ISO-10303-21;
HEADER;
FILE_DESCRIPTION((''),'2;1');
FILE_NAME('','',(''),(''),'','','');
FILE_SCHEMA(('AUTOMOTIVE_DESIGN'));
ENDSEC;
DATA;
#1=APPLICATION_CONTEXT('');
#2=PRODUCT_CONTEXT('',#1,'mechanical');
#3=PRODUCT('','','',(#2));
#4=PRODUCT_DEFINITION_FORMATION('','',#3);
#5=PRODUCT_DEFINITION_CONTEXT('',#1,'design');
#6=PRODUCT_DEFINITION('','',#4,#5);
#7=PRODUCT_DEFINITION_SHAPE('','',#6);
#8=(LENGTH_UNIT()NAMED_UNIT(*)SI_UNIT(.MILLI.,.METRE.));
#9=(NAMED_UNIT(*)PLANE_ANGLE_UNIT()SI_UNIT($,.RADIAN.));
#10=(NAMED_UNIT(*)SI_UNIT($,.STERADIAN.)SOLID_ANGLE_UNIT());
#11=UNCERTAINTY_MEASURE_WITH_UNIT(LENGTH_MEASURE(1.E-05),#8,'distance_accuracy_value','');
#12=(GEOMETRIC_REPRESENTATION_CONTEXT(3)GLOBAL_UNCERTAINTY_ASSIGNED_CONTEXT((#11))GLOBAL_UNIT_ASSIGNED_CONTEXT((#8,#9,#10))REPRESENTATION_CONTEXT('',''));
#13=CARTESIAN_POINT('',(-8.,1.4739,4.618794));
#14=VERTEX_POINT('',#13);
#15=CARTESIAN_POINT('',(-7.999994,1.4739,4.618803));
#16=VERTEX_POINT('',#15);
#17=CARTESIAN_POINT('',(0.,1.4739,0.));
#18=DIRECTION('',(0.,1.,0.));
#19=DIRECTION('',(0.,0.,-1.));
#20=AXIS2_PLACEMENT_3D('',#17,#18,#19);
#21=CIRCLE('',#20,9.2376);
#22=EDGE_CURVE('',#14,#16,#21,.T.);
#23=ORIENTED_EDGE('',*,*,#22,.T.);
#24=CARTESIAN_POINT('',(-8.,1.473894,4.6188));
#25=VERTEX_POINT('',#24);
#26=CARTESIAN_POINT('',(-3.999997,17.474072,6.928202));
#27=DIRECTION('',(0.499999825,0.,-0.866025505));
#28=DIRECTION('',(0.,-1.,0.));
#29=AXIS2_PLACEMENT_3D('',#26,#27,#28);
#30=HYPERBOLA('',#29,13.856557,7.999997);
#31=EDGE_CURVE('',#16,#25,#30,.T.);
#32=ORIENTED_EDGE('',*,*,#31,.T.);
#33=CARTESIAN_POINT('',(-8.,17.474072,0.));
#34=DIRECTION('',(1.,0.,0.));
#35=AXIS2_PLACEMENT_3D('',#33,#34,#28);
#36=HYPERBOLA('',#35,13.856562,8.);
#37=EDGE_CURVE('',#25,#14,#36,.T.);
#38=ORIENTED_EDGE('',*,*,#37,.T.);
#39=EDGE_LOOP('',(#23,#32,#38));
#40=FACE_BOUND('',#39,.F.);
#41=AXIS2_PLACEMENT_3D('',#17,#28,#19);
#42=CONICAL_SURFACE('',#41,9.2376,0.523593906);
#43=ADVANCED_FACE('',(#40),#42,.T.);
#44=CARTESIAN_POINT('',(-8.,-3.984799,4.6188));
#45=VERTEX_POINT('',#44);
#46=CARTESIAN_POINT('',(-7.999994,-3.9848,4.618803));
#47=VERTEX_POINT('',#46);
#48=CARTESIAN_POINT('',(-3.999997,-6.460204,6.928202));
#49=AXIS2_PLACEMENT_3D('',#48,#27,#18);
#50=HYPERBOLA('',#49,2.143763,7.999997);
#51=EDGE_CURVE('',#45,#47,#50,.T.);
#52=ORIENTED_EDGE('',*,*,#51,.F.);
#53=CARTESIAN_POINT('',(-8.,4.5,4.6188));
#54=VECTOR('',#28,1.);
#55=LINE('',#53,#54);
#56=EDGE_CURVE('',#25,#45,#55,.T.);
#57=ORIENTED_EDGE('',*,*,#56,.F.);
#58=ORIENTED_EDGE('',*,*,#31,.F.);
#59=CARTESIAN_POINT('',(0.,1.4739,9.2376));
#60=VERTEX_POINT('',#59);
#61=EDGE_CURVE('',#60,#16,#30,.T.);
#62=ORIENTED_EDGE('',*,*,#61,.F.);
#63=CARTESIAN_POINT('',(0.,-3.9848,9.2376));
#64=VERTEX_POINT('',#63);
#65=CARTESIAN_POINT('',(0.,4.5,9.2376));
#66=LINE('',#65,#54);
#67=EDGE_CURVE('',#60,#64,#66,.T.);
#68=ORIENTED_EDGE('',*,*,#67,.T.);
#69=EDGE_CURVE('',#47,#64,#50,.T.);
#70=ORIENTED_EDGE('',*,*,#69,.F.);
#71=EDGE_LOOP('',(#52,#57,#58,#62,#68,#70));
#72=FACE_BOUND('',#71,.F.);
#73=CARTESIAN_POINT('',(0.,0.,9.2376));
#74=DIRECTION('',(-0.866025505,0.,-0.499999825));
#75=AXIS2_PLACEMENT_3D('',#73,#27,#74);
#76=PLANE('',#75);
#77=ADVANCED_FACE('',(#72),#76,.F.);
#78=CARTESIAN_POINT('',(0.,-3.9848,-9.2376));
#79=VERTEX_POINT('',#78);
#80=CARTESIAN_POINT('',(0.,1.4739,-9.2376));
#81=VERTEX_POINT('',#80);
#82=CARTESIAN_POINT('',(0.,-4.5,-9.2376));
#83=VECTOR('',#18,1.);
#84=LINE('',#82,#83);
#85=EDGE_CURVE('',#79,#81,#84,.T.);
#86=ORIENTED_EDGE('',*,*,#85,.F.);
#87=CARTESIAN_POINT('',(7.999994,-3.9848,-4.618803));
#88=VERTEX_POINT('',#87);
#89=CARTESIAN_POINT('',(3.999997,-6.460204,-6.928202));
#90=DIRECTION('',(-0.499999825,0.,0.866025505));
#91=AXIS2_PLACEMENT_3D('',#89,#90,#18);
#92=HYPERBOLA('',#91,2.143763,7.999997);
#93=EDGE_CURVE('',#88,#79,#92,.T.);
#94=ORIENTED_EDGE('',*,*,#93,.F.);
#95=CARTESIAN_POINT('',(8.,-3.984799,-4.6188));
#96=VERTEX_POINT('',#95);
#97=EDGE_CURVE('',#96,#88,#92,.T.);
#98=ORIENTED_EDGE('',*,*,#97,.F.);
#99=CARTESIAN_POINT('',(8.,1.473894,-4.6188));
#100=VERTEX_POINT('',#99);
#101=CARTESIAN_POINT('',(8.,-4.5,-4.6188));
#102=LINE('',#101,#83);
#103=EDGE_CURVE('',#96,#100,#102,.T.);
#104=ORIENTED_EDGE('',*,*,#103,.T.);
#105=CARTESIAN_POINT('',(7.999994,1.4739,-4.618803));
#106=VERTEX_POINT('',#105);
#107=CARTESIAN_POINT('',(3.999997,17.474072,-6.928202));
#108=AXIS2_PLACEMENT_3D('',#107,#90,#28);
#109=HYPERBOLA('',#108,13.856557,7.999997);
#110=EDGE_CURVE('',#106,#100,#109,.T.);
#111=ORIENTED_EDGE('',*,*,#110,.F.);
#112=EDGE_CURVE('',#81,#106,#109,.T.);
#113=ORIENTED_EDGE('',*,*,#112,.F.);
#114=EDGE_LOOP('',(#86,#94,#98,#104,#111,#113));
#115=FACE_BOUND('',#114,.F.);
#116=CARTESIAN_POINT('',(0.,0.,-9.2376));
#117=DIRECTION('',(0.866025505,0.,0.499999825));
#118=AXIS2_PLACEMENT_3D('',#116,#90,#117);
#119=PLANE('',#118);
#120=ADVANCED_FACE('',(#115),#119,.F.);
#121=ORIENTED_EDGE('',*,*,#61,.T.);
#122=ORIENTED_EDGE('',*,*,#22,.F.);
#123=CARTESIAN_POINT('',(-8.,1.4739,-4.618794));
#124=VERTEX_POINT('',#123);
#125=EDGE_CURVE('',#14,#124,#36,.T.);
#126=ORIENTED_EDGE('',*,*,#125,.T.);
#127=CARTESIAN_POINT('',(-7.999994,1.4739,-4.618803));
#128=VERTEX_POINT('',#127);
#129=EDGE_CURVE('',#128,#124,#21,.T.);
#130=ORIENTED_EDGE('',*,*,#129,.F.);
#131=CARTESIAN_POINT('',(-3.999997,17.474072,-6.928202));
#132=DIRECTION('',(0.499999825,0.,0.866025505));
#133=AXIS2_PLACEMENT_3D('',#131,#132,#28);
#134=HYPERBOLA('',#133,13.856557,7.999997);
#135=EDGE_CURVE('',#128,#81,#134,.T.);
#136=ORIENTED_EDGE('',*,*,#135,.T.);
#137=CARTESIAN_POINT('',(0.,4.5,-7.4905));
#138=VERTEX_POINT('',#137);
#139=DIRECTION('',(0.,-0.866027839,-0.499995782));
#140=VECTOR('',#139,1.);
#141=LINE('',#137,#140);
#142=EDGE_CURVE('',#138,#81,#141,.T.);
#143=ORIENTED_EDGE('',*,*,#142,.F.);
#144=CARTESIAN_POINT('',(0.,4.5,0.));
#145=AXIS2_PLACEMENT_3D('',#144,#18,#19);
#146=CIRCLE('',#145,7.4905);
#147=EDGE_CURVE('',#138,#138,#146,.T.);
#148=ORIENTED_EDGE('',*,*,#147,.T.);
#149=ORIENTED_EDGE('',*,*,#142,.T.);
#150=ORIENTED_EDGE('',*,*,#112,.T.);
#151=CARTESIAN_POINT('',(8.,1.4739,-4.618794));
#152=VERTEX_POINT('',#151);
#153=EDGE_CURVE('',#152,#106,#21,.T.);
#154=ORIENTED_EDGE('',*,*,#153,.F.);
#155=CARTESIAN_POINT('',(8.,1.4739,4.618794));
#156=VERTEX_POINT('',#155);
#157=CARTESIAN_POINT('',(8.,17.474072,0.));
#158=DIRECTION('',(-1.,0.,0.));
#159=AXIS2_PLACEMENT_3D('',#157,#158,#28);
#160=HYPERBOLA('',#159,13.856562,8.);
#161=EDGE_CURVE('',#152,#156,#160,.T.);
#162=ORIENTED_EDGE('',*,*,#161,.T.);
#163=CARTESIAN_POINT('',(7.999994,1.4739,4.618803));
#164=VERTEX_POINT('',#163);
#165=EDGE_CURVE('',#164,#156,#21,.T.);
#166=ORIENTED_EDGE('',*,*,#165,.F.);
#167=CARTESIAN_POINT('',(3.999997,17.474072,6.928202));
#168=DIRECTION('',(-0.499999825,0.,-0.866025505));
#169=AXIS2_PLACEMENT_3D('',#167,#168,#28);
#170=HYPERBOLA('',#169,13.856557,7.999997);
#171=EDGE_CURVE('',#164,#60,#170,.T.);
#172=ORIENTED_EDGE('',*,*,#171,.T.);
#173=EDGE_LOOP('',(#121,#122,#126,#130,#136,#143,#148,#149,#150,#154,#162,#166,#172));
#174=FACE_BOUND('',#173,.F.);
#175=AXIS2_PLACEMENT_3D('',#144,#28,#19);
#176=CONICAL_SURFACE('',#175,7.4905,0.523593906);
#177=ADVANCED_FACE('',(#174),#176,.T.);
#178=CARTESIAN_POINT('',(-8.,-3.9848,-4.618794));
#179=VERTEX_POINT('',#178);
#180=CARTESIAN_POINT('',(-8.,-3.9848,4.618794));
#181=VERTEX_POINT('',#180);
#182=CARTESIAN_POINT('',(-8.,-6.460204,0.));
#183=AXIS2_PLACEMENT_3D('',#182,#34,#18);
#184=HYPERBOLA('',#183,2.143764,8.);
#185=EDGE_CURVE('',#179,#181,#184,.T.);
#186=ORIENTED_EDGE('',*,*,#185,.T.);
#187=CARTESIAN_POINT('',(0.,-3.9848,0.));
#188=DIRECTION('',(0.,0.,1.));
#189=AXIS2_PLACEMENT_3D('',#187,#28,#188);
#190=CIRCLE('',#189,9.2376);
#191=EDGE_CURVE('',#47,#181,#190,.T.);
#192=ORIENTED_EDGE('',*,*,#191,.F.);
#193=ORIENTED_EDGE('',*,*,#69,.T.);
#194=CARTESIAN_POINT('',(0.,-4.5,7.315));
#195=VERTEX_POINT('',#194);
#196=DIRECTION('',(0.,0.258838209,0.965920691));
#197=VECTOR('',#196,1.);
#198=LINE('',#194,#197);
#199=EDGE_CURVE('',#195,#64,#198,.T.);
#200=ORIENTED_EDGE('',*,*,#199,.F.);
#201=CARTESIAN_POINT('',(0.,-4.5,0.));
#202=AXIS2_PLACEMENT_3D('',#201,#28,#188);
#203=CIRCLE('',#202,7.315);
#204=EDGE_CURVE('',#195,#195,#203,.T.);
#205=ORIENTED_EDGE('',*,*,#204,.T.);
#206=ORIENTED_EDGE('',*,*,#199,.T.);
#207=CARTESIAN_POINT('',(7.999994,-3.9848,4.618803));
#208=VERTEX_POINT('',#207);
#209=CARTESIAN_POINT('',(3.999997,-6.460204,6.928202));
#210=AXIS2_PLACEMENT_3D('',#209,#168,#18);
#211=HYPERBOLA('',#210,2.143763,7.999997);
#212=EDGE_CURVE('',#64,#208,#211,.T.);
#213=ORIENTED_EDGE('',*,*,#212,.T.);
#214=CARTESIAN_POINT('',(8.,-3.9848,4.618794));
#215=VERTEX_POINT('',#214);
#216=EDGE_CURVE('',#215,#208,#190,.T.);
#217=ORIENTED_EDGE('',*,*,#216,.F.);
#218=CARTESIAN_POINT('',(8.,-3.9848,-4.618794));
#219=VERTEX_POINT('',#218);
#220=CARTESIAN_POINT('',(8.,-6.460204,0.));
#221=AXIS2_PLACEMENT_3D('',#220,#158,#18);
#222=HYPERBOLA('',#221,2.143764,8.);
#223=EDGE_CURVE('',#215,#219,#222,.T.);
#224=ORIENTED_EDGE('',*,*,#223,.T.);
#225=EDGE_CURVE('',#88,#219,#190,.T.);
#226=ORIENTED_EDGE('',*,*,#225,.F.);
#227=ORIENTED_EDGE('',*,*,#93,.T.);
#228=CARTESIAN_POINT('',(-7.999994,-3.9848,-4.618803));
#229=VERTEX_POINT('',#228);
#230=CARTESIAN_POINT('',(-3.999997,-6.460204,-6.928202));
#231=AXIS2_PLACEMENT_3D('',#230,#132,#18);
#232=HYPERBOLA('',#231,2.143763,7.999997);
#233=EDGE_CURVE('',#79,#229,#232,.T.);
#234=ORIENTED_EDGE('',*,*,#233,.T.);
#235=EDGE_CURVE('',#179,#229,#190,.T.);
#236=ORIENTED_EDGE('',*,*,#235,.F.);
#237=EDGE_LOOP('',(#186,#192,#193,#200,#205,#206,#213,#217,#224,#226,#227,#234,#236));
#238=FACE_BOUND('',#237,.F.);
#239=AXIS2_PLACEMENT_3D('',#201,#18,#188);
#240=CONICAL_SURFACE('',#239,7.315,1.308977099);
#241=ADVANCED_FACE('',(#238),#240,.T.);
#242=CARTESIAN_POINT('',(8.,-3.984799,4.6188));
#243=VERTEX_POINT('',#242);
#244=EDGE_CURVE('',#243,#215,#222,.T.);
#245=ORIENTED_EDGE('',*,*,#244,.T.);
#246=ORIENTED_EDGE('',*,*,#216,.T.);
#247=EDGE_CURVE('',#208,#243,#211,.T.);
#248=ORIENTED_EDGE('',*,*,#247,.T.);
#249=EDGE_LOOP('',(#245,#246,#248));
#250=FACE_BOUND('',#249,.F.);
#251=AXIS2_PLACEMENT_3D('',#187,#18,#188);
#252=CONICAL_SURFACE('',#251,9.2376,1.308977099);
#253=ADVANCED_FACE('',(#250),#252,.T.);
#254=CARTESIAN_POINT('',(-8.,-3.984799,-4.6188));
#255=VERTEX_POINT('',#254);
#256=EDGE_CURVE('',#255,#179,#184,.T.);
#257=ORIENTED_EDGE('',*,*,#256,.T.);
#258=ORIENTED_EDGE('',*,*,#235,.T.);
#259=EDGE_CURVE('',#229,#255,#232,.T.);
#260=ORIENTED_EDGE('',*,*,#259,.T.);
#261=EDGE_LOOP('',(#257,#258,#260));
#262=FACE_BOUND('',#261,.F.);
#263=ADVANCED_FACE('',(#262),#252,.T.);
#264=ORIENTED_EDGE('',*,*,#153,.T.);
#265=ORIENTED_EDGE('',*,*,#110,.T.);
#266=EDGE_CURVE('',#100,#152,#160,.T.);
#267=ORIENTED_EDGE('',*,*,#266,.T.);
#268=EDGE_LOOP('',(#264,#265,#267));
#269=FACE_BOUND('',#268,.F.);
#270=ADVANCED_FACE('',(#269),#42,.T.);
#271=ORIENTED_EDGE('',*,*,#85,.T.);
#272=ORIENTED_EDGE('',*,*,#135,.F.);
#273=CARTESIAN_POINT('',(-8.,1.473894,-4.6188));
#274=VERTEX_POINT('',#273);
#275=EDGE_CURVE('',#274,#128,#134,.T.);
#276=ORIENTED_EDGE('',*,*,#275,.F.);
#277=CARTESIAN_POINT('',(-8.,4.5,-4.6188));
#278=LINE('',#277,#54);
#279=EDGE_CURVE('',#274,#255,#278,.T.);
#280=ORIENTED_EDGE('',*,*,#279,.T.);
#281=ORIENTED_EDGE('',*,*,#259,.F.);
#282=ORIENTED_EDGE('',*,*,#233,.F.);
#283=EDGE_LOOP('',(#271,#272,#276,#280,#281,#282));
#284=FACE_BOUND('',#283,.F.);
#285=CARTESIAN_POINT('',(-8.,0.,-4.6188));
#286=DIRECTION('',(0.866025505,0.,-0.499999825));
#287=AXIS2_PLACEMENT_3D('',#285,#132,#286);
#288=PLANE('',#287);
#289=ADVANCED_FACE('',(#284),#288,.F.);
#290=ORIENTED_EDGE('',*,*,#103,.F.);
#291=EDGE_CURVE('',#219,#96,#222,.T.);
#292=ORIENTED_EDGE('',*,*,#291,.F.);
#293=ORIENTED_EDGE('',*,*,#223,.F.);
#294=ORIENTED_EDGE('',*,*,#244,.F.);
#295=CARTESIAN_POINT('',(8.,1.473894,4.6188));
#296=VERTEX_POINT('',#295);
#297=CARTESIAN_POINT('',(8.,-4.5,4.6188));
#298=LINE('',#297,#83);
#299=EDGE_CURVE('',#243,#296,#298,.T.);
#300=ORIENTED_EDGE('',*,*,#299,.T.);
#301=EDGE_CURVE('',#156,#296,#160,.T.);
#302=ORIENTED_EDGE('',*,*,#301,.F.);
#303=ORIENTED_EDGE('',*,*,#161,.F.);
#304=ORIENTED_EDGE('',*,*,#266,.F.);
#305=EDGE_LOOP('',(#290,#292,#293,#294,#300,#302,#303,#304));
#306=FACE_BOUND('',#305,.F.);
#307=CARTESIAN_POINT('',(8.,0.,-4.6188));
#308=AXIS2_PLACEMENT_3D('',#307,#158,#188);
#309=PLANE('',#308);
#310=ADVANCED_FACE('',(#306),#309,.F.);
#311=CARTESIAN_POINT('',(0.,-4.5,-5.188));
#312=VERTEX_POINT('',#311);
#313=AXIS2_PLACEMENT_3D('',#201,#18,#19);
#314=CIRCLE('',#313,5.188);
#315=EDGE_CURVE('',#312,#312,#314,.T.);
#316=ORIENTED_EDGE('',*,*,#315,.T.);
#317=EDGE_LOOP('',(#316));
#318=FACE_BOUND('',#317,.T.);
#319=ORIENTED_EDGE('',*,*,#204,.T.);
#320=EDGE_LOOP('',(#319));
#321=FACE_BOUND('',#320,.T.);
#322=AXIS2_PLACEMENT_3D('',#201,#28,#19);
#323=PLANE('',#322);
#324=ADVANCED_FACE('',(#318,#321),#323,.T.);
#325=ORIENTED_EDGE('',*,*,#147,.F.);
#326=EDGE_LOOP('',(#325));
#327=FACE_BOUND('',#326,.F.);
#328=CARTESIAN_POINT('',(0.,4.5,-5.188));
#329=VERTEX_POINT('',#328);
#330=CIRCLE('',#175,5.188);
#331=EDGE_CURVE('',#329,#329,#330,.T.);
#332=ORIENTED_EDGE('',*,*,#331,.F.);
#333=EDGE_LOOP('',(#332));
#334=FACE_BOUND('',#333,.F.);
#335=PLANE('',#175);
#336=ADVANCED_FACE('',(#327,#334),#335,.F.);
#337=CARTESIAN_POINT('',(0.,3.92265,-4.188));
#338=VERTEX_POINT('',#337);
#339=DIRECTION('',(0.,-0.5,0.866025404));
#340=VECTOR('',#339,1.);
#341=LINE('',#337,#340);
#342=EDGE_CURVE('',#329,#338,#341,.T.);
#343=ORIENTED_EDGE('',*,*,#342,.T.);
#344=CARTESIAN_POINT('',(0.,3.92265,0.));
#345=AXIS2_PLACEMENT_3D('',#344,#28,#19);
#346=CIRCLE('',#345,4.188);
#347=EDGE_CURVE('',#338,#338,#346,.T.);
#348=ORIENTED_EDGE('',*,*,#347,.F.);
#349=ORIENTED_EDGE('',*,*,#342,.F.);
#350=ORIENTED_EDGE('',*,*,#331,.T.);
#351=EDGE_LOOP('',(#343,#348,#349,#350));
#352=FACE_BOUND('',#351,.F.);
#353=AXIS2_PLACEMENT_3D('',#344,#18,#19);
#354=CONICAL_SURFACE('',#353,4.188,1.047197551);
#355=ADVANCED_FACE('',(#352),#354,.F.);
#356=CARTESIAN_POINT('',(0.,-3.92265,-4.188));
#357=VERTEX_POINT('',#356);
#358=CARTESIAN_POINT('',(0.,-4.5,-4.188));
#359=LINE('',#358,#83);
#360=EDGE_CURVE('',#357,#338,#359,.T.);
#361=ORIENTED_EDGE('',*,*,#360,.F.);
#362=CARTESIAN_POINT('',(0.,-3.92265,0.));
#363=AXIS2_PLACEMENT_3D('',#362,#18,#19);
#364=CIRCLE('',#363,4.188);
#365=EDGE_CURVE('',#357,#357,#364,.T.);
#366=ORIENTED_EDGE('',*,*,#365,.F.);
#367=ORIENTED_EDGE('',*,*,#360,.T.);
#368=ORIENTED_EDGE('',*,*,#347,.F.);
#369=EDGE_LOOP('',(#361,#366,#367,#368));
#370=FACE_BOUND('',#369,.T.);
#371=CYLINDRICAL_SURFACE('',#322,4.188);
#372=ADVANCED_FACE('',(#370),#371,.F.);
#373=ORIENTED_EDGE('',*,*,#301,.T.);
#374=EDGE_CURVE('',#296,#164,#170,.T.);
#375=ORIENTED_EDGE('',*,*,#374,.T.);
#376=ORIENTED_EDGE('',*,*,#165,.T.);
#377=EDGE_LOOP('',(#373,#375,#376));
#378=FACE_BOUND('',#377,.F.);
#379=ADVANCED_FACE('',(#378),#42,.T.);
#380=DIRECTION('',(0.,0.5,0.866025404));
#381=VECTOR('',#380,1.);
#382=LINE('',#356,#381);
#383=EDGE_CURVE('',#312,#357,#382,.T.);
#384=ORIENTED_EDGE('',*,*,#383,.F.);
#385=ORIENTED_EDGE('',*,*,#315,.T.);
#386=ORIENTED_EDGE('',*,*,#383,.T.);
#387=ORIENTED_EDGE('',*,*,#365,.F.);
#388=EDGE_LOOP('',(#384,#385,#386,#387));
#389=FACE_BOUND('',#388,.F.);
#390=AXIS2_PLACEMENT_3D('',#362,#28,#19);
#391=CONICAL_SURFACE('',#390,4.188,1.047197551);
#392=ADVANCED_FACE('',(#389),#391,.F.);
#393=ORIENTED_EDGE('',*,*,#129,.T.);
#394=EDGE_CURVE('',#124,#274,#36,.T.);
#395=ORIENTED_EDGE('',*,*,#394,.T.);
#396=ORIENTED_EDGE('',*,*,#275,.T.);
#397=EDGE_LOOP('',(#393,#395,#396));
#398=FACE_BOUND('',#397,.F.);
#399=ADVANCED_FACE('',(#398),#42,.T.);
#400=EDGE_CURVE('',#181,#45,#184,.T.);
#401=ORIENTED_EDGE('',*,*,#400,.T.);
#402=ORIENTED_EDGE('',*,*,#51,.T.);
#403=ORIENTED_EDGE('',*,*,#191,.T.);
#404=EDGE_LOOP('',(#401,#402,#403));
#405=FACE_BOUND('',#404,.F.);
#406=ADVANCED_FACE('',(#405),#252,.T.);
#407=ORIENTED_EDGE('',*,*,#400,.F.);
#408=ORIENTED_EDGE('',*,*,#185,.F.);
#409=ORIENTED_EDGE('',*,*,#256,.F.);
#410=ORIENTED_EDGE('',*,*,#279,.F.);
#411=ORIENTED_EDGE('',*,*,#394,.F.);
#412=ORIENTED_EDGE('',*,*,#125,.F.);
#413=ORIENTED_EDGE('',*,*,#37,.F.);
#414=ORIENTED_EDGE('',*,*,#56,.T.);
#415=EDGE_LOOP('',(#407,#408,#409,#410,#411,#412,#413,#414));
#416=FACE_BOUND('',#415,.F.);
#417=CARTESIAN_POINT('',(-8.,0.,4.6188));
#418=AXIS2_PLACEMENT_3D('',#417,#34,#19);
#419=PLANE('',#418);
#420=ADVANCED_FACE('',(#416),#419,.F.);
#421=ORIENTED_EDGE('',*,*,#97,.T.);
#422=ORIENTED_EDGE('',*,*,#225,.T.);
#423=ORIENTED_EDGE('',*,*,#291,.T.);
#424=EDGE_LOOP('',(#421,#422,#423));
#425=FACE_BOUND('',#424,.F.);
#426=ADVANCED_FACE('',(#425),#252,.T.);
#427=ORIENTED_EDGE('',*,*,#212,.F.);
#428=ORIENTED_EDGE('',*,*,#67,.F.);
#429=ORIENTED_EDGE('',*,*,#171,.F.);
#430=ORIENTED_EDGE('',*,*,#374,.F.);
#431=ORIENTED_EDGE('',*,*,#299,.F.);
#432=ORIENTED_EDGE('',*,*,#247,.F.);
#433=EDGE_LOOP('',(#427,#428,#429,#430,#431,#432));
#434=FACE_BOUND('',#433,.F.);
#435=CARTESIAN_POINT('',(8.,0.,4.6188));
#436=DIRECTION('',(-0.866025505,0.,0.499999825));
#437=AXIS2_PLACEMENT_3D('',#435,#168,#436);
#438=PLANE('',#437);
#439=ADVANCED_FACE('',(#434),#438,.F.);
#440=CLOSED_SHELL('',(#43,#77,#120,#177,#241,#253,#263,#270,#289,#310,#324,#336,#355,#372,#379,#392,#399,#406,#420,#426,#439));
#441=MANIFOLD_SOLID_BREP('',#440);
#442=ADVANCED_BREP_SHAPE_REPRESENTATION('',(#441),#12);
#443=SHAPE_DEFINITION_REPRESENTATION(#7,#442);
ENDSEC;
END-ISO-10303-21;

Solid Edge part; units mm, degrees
sketch "Sketch1" plane through (0, 0, 0) normal (0, -1, 0) x (1, 0, 0)
  line L0 (8, 4.6188) -> (0, 9.2376)
  line L1 (0, 9.2376) -> (-8, 4.6188)
  line L2 (-8, 4.6188) -> (-8, -4.6188)
  line L3 (-8, -4.6188) -> (0, -9.2376)
  line L4 (0, -9.2376) -> (8, -4.6188)
  line L5 (8, -4.6188) -> (8, 4.6188)
extrude "Protrusion1" add sketch "Sketch1" along normal mid plane 9
sketch "Sketch2" plane through (0, 0, 0) normal (1, 0, 0) x (0, 1, 0)
  line L0 (-4.5, 7.315) -> (-3.9848, 9.2376)
revolve "RevolvedCutout1" cut sketch "Sketch2" angle 360 about axis through (0, 0, 0) along (0, -1, 0) material side at (0, -4.2907, 8.2892)
hole "孔_7" at (0, -4.5, 0) direction (0, 1, 0) diameter 8.376 end up to next start chamfer 1 start chamfer angle 60 end chamfer 1 end chamfer angle 60
sketch "Sketch3" plane through (0, 0, 0) normal (1, 0, 0) x (0, 1, 0)
  line L0 (4.5, -7.4905) -> (1.4739, -9.2376)
revolve "RevolvedCutout2" cut sketch "Sketch3" angle 360 about axis through (0, 0, 0) along (0, 1, 0) material side at (0, 3.0119, -8.4074)
